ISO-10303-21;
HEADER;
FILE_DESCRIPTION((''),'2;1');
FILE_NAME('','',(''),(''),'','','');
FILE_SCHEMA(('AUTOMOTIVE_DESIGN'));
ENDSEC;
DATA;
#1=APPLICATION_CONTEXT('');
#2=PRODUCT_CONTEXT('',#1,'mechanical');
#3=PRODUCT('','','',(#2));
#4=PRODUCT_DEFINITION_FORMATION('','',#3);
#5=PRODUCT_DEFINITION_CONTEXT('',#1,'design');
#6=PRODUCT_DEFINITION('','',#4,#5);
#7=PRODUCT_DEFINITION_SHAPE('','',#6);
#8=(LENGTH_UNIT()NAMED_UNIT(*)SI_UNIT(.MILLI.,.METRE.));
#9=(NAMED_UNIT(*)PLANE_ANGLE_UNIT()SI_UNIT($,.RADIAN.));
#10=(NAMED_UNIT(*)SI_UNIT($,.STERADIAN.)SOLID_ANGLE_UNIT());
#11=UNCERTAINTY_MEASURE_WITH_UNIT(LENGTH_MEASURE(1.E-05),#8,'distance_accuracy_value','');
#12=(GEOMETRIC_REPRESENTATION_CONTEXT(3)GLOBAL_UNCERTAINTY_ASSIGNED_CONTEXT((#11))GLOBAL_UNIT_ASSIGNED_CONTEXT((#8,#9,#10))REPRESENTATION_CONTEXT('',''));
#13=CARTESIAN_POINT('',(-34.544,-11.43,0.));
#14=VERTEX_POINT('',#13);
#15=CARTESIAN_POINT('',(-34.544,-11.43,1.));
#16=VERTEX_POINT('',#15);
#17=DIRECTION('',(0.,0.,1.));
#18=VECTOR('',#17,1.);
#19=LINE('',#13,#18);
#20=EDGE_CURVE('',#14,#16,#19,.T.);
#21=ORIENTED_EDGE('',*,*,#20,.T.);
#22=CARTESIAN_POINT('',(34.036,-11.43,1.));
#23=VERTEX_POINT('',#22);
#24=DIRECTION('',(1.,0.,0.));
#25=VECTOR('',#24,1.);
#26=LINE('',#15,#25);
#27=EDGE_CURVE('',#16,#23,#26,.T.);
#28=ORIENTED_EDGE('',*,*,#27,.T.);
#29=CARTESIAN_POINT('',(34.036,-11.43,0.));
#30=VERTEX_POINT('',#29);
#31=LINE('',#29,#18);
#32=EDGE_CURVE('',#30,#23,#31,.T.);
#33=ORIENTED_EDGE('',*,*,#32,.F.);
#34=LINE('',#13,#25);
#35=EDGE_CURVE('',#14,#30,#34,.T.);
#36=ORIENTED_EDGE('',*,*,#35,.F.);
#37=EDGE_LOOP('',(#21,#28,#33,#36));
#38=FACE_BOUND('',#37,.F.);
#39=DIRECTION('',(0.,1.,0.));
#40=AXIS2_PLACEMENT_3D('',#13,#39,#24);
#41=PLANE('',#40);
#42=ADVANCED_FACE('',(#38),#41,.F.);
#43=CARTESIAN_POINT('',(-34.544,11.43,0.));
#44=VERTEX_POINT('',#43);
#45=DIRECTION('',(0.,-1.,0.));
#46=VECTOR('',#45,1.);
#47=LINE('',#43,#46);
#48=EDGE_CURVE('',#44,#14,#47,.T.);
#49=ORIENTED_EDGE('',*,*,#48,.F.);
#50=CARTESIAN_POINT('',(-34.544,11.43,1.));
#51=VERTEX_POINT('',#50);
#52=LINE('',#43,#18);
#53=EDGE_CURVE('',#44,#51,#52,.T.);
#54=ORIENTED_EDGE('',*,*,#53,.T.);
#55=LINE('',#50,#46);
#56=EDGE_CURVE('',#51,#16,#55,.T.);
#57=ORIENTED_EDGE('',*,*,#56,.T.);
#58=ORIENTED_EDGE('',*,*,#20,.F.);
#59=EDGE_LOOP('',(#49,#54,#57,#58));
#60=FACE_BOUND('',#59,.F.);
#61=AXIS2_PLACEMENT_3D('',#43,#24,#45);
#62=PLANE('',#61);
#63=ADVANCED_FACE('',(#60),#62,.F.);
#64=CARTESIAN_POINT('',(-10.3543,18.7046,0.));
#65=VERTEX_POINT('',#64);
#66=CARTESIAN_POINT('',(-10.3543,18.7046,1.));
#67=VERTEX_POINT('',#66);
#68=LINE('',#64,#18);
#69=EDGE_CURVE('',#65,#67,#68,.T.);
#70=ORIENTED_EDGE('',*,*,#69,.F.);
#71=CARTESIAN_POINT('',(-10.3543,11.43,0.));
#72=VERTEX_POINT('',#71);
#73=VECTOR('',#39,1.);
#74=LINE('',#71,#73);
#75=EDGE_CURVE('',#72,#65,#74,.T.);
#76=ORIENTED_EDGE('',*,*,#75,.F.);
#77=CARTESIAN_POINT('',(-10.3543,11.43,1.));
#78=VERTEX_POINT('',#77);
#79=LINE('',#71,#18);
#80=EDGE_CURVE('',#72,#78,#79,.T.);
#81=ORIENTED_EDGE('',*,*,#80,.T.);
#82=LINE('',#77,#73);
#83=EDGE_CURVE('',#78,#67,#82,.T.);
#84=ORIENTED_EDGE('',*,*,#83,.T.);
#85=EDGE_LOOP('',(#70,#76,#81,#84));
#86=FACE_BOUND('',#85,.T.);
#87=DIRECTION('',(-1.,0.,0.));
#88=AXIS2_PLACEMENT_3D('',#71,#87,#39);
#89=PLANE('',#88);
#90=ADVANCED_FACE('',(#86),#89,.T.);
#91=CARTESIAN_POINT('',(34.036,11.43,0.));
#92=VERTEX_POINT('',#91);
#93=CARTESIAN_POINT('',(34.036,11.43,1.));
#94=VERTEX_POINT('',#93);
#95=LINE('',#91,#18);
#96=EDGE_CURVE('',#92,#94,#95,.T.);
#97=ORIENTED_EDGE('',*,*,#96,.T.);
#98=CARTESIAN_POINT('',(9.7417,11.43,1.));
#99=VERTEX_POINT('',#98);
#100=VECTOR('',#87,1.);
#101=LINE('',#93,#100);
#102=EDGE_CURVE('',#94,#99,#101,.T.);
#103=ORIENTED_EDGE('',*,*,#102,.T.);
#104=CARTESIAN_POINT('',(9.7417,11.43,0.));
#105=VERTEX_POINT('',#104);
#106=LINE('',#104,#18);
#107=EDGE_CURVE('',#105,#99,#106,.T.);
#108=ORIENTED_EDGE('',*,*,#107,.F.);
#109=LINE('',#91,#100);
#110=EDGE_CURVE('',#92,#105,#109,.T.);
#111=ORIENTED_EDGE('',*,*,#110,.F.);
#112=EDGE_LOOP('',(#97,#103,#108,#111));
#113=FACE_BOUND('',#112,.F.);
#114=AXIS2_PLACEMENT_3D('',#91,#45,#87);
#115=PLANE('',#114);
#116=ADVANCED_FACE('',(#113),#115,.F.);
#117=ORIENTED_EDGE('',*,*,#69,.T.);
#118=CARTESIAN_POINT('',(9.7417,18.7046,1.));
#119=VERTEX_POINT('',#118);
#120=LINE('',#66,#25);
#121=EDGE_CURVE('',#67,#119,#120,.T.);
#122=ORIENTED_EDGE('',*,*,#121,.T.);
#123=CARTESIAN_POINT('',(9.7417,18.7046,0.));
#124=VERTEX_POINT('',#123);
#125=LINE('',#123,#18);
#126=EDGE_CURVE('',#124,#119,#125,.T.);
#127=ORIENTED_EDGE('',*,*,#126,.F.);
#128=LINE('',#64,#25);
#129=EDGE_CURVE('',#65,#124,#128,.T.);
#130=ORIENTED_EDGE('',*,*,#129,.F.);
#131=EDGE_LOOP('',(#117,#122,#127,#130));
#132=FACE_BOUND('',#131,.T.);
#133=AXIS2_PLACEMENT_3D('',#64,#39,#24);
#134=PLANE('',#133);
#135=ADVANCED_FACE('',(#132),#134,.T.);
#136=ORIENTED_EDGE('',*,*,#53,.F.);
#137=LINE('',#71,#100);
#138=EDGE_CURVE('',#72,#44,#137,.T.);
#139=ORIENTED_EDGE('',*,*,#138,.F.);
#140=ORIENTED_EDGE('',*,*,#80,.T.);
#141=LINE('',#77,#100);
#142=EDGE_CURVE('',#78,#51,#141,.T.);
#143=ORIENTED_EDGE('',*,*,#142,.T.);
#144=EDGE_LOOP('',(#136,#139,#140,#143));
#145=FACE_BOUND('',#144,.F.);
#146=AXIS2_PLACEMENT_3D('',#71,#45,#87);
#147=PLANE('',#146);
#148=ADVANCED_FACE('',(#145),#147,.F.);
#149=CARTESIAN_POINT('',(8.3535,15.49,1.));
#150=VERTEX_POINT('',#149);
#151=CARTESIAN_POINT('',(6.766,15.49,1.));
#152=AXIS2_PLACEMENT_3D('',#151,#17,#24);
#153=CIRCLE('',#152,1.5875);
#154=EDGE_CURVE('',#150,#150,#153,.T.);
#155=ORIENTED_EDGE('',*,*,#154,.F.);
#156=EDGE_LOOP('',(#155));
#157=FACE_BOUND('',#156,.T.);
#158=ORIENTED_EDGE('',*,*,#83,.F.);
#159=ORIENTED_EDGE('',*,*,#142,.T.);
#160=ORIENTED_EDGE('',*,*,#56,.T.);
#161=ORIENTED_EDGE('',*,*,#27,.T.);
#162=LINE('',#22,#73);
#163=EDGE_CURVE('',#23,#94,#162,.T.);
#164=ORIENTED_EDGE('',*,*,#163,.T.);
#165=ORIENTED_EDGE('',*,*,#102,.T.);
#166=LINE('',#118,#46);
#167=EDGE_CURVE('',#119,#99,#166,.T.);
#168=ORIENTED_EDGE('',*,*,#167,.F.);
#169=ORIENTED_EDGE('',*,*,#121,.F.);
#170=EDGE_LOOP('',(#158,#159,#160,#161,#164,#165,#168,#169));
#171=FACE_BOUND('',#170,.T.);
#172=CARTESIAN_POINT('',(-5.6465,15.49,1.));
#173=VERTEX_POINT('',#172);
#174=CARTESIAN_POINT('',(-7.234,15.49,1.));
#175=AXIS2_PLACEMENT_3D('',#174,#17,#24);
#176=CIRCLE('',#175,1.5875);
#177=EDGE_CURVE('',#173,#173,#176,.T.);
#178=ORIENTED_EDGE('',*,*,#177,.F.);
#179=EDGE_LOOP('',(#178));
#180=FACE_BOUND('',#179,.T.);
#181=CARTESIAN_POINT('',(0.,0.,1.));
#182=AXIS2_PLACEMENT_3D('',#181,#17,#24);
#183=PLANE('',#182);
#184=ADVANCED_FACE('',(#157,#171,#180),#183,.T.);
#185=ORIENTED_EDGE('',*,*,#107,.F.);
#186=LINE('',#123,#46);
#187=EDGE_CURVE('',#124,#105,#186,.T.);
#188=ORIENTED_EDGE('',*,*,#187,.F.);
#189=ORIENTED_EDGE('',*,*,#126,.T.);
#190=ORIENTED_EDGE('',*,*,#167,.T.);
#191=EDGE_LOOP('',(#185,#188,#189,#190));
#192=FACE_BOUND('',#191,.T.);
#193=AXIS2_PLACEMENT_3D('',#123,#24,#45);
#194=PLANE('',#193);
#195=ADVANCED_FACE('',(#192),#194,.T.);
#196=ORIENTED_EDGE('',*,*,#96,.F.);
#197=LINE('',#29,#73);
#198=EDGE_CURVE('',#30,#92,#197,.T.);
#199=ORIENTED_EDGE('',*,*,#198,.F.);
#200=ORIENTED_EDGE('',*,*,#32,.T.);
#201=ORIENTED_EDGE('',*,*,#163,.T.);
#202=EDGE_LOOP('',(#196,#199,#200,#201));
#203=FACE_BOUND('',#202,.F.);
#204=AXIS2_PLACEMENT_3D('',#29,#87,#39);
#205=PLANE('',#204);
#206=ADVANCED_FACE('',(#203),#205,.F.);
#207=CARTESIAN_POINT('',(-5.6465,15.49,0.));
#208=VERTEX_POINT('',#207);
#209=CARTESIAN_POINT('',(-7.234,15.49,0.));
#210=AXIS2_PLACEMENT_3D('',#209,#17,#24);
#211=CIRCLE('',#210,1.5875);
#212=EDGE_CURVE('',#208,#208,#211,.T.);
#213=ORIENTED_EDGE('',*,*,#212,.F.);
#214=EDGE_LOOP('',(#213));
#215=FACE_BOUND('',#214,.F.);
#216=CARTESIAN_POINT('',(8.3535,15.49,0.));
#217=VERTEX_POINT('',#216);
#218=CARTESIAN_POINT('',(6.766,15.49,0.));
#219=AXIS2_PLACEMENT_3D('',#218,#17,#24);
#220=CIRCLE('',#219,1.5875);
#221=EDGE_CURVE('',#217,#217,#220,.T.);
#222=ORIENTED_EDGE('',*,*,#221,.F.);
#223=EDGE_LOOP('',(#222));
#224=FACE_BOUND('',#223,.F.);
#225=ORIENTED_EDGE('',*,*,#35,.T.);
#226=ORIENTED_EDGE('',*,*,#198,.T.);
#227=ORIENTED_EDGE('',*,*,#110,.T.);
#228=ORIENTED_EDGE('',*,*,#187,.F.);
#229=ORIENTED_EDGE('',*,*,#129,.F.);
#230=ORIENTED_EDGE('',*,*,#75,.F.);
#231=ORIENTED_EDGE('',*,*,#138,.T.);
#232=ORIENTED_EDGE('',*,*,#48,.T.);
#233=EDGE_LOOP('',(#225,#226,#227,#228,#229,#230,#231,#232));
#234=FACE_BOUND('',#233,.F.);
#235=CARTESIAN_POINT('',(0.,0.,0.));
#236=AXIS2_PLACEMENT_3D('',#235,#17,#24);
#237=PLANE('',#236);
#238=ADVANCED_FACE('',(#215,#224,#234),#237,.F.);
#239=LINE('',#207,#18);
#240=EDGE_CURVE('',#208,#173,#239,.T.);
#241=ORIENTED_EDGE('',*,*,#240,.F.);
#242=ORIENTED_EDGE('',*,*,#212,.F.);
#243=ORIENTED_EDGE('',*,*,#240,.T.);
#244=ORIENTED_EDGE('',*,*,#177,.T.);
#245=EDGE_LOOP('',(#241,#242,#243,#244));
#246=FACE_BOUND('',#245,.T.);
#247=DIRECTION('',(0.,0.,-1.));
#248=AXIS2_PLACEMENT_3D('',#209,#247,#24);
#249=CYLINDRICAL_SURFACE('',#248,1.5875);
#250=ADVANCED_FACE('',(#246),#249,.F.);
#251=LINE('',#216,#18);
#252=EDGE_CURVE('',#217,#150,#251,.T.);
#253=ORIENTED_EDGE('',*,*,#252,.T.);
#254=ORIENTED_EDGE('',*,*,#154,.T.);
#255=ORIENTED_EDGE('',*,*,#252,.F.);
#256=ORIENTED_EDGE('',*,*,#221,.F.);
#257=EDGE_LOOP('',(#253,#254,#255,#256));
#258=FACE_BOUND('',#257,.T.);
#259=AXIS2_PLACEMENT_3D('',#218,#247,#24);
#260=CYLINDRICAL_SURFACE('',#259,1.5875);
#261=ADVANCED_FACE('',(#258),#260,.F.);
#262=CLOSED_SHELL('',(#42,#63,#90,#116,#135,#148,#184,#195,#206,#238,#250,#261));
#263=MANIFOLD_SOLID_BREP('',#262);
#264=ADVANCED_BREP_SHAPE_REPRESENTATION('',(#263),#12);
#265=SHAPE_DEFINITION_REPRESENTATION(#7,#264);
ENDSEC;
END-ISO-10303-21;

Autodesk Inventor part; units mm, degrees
ref_plane "YZ Plane" through (0, 0, 0) normal (1, 0, 0) x (0, 1, 0)
ref_plane "XZ Plane" through (0, 0, 0) normal (0, 1, 0) x (-1, 0, 0)
ref_plane "XY Plane" through (0, 0, 0) normal (0, 0, 1) x (1, 0, 0)
ref_plane "Work Plane1" through (0, 0, 0) normal (0, 0, 1) x (1, 0, 0)
sketch "Sketch1" plane through (0, 0, 0) normal (0, 0, 1) x (1, 0, 0)
  circle A0 centre (6.766, 15.49) radius 1.5875
  circle A1 centre (-7.234, 15.49) radius 1.5875
  line L0 (-34.544, 11.43) -> (-34.544, -11.43)
  line L1 (-34.544, -11.43) -> (34.036, -11.43)
  line L2 (34.036, -11.43) -> (34.036, 11.43)
  line L3 (-10.3543, 11.43) -> (-10.3543, 18.7046)
  line L4 (-10.3543, 18.7046) -> (9.7417, 18.7046)
  line L5 (9.7417, 18.7046) -> (9.7417, 11.43)
  line L6 (34.036, 11.43) -> (9.7417, 11.43)
  line L7 (-10.3543, 11.43) -> (-34.544, 11.43)
  point P0 (0, 0)
  dimension "d0" = 68.58
  dimension "d1" = 22.86
  dimension "d2" = 27.31
  dimension "d3" = 14
  dimension "d4" = 3.175
  dimension "d5" = 3.175
  dimension "d10" = 26.92
extrude "Extrusion1" add sketch "Sketch1" along normal blind 1
properties part number "Syringe PCB"
